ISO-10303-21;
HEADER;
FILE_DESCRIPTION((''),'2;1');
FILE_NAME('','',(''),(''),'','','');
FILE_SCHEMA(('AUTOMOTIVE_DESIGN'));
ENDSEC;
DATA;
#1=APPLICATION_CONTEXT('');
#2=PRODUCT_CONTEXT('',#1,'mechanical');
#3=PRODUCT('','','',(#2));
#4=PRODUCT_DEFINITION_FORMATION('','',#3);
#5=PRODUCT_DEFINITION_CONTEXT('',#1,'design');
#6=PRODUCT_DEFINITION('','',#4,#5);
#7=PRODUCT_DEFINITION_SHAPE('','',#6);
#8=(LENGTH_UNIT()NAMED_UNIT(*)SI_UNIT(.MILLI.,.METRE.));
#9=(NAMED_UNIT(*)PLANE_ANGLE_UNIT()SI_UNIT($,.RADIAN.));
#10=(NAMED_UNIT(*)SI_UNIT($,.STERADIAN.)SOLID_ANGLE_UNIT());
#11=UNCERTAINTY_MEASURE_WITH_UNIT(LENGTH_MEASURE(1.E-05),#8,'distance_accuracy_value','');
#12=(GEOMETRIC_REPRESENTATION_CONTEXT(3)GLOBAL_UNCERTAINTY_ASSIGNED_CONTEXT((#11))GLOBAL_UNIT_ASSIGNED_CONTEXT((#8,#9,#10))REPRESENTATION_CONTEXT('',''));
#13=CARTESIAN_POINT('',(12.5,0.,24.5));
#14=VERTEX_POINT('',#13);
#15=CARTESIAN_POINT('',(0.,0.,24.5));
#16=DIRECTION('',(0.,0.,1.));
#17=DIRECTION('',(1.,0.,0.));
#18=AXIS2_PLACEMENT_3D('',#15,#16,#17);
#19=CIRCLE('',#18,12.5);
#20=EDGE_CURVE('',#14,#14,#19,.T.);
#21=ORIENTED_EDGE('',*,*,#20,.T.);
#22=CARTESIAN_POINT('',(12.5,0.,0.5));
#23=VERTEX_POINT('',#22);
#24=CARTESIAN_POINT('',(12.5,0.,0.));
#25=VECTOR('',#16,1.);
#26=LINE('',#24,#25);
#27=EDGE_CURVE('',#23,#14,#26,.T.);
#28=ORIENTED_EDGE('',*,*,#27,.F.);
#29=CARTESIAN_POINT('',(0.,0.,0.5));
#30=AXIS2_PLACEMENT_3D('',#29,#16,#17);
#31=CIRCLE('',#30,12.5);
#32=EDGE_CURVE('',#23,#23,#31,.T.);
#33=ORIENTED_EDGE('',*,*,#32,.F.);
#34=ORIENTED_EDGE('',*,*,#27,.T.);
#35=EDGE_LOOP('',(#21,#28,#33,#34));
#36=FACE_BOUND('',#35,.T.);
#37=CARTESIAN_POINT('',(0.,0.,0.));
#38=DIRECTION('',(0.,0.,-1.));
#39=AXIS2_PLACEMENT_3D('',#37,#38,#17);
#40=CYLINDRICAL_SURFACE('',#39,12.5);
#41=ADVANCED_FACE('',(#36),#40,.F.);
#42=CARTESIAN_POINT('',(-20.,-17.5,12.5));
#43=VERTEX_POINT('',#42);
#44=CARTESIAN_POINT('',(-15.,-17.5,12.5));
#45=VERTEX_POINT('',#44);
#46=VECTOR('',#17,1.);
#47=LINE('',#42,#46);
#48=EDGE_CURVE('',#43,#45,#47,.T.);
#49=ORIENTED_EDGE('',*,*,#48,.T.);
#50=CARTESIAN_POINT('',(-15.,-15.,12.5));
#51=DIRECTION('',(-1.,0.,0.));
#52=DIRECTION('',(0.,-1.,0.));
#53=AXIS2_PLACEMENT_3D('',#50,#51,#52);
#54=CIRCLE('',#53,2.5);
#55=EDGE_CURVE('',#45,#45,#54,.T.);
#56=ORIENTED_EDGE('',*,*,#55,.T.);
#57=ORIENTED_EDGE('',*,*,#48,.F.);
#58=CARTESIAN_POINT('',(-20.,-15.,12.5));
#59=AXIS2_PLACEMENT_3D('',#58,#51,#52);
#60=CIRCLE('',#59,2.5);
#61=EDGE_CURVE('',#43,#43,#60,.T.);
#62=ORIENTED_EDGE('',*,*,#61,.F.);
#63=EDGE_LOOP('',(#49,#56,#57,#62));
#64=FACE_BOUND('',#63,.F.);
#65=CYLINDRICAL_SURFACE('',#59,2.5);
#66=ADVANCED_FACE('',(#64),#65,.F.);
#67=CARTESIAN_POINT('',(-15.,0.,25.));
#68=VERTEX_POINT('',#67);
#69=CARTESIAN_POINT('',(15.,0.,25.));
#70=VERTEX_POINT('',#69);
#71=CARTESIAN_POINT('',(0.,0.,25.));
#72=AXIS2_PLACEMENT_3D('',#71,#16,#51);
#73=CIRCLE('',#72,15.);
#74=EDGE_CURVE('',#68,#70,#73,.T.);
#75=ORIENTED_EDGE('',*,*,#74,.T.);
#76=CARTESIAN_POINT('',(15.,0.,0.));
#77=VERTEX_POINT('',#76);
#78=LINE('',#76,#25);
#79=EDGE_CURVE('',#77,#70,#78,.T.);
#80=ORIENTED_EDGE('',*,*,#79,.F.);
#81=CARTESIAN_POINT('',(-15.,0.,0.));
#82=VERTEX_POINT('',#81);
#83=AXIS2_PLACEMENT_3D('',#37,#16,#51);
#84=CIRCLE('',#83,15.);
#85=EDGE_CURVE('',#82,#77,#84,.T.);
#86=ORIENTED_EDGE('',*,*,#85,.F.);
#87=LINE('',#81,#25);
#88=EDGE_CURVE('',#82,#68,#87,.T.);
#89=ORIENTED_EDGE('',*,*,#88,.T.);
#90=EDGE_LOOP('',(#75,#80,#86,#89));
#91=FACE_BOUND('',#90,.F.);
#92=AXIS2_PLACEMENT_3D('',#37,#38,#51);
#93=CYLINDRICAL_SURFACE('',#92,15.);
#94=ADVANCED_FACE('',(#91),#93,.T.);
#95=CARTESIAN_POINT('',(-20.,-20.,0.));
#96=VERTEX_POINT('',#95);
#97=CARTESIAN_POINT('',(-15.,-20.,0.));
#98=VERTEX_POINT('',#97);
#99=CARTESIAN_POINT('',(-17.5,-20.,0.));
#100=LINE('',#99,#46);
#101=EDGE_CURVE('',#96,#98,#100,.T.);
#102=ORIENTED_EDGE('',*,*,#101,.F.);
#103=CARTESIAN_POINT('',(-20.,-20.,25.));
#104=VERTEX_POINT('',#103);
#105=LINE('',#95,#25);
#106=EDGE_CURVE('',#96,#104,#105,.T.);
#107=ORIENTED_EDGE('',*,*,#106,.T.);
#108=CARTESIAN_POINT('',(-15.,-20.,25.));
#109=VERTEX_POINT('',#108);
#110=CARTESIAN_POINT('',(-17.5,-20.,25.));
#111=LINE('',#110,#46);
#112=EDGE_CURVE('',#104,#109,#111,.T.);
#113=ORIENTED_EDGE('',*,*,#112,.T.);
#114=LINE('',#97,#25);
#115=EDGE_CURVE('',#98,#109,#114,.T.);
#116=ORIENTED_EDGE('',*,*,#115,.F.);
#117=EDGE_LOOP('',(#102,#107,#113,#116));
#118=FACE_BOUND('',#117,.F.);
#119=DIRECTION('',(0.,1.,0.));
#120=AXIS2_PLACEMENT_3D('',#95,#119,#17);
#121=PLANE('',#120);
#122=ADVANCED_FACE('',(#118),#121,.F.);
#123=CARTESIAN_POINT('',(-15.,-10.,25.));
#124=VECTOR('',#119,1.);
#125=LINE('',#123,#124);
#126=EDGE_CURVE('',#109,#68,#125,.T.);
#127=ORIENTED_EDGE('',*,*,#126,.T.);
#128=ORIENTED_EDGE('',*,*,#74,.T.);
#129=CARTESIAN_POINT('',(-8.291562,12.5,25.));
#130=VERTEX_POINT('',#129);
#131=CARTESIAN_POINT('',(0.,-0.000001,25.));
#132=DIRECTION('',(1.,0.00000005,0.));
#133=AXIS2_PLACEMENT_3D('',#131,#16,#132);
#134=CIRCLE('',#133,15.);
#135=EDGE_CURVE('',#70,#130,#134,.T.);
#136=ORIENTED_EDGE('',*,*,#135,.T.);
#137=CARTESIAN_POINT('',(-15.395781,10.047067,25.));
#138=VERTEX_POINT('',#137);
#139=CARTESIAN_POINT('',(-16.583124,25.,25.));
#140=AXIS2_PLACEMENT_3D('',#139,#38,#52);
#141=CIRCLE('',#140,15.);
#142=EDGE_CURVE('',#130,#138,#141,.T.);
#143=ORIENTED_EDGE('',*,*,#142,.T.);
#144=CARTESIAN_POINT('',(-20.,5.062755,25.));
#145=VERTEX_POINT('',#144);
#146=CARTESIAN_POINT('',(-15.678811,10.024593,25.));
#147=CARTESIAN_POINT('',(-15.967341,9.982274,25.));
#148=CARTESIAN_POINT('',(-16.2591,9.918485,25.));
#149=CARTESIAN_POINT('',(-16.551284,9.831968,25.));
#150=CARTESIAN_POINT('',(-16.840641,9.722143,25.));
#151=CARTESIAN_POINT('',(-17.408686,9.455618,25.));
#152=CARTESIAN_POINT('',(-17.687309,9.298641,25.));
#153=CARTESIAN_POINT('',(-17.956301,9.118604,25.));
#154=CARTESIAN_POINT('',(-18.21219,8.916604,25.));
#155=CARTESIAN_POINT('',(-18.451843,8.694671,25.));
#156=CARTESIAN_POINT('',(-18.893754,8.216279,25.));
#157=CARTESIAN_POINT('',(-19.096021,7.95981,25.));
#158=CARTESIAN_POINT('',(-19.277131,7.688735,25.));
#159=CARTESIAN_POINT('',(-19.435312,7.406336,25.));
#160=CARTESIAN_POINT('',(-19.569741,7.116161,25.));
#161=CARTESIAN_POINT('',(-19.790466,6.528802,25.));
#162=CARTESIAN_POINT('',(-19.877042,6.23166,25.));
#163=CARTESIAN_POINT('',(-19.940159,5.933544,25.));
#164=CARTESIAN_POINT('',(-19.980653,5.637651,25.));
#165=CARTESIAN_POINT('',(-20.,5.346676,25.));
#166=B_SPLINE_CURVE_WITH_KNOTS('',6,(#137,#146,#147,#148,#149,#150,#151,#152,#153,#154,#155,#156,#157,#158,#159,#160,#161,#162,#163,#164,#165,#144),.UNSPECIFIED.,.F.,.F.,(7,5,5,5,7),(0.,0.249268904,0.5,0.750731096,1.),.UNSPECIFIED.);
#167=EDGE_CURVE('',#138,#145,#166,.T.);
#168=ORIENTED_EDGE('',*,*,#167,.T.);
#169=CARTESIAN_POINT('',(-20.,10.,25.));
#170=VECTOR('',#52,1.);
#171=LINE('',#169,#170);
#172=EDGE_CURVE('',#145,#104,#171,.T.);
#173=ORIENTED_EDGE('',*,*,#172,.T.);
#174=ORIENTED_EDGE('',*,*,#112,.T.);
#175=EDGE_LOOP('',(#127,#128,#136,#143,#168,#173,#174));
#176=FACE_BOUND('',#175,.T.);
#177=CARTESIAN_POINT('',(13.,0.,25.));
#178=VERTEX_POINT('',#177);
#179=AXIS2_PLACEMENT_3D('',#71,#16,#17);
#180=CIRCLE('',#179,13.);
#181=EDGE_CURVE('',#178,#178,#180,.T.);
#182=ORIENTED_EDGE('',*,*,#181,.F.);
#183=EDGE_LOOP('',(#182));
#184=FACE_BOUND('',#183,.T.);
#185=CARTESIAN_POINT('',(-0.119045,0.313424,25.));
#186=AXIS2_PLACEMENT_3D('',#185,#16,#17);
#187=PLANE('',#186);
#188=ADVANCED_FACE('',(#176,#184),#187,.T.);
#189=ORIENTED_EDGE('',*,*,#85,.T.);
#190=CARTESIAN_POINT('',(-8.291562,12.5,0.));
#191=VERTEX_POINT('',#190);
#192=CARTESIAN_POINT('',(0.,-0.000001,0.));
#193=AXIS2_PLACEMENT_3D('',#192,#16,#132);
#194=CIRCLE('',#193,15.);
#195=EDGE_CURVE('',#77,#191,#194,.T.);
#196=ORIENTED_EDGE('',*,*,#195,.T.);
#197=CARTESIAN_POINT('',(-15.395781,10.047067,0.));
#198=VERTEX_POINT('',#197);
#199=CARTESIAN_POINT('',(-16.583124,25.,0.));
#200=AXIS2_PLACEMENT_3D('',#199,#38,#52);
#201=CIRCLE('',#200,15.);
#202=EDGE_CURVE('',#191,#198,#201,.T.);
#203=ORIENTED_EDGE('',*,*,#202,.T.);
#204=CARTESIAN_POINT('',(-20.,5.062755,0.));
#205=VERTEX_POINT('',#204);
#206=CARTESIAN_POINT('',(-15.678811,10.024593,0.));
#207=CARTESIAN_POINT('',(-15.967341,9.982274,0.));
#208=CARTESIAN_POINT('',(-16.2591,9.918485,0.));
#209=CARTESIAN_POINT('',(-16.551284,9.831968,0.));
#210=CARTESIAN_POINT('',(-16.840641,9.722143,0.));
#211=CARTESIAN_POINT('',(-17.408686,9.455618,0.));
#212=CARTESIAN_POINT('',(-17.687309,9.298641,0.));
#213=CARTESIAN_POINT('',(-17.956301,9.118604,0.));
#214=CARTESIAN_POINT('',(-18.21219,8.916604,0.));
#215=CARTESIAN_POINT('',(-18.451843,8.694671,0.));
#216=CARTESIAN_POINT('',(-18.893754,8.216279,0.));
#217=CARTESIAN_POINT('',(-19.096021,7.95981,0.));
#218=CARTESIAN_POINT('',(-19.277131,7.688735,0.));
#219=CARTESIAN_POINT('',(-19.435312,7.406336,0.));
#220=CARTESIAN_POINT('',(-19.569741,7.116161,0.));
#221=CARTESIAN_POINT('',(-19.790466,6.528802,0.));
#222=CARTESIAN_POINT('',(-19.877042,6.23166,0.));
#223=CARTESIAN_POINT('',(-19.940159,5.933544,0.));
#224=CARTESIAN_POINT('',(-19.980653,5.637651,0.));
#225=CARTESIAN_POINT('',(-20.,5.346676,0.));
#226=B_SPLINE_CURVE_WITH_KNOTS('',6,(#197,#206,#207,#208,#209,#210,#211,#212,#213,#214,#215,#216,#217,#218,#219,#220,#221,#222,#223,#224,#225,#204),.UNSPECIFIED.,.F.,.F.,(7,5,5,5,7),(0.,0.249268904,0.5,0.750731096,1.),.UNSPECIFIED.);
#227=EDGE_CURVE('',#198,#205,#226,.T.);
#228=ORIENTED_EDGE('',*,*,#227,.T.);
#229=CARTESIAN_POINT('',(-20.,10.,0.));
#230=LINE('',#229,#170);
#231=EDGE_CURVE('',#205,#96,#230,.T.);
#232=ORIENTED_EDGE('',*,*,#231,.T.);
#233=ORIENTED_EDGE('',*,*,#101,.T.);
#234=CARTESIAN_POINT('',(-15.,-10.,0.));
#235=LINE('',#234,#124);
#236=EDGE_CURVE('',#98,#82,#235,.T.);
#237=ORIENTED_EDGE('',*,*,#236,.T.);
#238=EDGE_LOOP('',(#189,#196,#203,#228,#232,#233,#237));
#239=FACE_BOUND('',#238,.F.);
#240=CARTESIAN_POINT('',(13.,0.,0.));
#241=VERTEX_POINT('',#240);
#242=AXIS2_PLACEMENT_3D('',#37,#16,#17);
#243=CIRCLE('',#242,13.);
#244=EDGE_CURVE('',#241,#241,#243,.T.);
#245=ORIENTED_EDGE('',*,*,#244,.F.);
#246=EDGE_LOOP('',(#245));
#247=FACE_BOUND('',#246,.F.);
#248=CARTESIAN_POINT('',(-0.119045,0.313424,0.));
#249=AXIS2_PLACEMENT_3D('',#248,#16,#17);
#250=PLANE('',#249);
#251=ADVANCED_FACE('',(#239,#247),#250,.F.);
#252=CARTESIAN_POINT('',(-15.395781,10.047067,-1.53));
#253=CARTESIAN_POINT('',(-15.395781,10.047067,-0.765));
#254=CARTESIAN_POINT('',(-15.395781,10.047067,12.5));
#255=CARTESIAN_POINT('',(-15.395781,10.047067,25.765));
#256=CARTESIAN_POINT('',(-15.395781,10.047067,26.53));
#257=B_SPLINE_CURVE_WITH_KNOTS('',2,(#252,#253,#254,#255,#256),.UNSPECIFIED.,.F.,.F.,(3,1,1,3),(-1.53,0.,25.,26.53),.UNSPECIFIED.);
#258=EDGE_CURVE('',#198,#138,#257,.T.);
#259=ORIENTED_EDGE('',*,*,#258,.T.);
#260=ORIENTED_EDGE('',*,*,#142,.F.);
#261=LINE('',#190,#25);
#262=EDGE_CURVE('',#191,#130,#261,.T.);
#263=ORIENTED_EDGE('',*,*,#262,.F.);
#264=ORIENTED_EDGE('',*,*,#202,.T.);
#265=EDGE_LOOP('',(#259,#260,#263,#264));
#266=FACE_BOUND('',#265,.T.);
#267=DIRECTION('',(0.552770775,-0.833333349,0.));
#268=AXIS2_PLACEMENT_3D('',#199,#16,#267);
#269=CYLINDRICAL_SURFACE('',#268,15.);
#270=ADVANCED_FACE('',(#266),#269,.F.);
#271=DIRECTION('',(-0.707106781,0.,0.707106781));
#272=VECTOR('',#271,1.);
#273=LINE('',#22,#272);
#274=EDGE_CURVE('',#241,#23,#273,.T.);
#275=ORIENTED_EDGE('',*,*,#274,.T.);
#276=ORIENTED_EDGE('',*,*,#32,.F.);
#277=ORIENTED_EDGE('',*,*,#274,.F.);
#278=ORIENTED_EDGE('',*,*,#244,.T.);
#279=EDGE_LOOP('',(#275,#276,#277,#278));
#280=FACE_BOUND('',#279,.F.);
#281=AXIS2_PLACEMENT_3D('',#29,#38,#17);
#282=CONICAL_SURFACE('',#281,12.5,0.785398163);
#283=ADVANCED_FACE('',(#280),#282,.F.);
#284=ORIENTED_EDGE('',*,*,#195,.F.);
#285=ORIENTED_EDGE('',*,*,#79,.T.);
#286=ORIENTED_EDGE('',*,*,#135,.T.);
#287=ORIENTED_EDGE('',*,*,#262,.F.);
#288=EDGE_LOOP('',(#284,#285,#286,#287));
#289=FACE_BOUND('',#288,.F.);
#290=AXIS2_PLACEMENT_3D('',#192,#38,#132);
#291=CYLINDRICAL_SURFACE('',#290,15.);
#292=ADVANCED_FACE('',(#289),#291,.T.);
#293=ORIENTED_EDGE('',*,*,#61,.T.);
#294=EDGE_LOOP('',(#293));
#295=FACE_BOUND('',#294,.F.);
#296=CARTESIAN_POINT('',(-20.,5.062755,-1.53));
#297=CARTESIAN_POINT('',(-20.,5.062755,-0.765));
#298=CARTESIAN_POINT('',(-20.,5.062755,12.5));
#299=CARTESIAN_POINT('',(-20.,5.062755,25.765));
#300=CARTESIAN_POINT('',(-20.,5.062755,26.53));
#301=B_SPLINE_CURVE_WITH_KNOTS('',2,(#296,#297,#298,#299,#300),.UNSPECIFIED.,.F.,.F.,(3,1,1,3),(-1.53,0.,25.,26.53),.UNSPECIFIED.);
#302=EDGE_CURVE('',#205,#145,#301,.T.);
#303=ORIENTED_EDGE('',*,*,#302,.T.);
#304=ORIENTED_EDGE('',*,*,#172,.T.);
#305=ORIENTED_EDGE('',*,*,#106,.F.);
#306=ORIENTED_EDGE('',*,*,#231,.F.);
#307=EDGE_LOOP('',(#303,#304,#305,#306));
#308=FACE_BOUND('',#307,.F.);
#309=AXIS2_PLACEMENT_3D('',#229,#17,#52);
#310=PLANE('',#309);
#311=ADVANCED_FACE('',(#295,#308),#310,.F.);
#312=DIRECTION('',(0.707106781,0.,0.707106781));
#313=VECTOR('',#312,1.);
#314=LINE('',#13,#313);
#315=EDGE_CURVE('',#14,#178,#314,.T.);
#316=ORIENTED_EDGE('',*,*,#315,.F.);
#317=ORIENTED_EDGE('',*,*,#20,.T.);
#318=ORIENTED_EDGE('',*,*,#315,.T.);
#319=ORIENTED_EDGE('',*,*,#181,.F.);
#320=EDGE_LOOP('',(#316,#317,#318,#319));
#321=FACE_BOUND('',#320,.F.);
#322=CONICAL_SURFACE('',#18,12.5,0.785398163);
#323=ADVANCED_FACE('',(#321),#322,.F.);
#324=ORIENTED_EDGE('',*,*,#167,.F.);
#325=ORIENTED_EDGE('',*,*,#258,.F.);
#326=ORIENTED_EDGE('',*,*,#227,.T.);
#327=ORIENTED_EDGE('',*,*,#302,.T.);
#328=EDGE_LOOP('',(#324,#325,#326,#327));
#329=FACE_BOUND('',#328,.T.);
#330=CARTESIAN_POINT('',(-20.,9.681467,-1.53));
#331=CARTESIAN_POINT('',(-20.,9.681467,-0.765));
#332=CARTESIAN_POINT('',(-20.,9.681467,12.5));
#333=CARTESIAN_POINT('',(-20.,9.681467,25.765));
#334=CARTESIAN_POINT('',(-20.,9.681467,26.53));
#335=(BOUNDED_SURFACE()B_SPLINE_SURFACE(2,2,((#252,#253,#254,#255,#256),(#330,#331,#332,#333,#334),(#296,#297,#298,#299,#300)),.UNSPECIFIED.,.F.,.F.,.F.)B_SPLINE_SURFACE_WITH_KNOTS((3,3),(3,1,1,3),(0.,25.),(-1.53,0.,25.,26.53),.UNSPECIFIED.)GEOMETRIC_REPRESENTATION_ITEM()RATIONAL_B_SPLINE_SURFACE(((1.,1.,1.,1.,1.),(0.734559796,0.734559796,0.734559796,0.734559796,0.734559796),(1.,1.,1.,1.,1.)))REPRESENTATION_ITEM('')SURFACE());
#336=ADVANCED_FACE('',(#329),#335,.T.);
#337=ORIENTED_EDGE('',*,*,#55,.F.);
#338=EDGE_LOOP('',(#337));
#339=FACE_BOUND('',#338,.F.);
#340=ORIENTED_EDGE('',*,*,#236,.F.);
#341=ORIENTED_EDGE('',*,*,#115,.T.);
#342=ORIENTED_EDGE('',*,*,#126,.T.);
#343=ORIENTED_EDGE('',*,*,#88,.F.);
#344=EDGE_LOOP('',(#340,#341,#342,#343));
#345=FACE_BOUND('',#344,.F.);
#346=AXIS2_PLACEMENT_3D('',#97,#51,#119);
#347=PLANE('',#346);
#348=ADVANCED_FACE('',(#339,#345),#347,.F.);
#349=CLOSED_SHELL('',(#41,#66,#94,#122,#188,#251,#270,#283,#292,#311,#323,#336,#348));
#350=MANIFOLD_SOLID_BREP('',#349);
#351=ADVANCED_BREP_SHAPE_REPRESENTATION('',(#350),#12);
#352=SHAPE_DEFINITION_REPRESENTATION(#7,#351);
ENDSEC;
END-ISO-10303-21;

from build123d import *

# Parameters (mm, degrees)
F0_R     = 12.5
F0_W     = 5
F0_H     = 20
F1_DEPTH = 25
F2_R     = 15
F3_R     = 5
F4_R     = 2.5
F5_DEPTH = 5
F6_SIZE  = 0.5


with BuildPart() as f1:
    # F0 (on Top) → F1 (new body)
    with BuildSketch(Plane.XY):
        with BuildLine():
            ThreePointArc((-15, 0), (0, -15), (15, 0))
            ThreePointArc((15, 0), (5.352331, 14.012585), (-11.18034, 10))
            ThreePointArc((-11.18034, 10), (-14.012585, 5.352331), (-15, 0))
        make_face()
        Circle(F0_R, mode=Mode.SUBTRACT)
        with BuildLine():
            ThreePointArc((-15, 0), (-14.012585, 5.352331), (-11.18034, 10))
            Line((-11.18034, 10), (-20, 10))
            Line((-20, 10), (-20, 0))
            Line((-20, 0), (-15, 0))
        make_face()
        with Locations((-17.5, -10)):
            Rectangle(F0_W, F0_H)
    extrude(amount=F1_DEPTH)

    # F2
    f2_edges = [f1.edges().sort_by_distance(p)[0] for p in [
        (-11.18034, 10, 12.5),
    ]]
    fillet(f2_edges, radius=F2_R)

    # F3
    f3_edges = [f1.edges().sort_by_distance(p)[0] for p in [
        (-20, 10, 12.5),
    ]]
    fillet(f3_edges, radius=F3_R)

    # F4 (on face) → F5 (cut)
    with BuildSketch(Plane(origin=(-20, 0, 0), x_dir=(0, -1, 0), z_dir=(-1, 0, 0))):
        with Locations((15, 12.5)):
            Circle(F4_R)
    extrude(amount=-F5_DEPTH, mode=Mode.SUBTRACT)

    # F6
    f6_edges = [f1.edges().sort_by_distance(p)[0] for p in [
        (-12.5, 0, 0),
        (-12.5, 0, 25),
    ]]
    chamfer(f6_edges, length=F6_SIZE)


solid = f1.part
